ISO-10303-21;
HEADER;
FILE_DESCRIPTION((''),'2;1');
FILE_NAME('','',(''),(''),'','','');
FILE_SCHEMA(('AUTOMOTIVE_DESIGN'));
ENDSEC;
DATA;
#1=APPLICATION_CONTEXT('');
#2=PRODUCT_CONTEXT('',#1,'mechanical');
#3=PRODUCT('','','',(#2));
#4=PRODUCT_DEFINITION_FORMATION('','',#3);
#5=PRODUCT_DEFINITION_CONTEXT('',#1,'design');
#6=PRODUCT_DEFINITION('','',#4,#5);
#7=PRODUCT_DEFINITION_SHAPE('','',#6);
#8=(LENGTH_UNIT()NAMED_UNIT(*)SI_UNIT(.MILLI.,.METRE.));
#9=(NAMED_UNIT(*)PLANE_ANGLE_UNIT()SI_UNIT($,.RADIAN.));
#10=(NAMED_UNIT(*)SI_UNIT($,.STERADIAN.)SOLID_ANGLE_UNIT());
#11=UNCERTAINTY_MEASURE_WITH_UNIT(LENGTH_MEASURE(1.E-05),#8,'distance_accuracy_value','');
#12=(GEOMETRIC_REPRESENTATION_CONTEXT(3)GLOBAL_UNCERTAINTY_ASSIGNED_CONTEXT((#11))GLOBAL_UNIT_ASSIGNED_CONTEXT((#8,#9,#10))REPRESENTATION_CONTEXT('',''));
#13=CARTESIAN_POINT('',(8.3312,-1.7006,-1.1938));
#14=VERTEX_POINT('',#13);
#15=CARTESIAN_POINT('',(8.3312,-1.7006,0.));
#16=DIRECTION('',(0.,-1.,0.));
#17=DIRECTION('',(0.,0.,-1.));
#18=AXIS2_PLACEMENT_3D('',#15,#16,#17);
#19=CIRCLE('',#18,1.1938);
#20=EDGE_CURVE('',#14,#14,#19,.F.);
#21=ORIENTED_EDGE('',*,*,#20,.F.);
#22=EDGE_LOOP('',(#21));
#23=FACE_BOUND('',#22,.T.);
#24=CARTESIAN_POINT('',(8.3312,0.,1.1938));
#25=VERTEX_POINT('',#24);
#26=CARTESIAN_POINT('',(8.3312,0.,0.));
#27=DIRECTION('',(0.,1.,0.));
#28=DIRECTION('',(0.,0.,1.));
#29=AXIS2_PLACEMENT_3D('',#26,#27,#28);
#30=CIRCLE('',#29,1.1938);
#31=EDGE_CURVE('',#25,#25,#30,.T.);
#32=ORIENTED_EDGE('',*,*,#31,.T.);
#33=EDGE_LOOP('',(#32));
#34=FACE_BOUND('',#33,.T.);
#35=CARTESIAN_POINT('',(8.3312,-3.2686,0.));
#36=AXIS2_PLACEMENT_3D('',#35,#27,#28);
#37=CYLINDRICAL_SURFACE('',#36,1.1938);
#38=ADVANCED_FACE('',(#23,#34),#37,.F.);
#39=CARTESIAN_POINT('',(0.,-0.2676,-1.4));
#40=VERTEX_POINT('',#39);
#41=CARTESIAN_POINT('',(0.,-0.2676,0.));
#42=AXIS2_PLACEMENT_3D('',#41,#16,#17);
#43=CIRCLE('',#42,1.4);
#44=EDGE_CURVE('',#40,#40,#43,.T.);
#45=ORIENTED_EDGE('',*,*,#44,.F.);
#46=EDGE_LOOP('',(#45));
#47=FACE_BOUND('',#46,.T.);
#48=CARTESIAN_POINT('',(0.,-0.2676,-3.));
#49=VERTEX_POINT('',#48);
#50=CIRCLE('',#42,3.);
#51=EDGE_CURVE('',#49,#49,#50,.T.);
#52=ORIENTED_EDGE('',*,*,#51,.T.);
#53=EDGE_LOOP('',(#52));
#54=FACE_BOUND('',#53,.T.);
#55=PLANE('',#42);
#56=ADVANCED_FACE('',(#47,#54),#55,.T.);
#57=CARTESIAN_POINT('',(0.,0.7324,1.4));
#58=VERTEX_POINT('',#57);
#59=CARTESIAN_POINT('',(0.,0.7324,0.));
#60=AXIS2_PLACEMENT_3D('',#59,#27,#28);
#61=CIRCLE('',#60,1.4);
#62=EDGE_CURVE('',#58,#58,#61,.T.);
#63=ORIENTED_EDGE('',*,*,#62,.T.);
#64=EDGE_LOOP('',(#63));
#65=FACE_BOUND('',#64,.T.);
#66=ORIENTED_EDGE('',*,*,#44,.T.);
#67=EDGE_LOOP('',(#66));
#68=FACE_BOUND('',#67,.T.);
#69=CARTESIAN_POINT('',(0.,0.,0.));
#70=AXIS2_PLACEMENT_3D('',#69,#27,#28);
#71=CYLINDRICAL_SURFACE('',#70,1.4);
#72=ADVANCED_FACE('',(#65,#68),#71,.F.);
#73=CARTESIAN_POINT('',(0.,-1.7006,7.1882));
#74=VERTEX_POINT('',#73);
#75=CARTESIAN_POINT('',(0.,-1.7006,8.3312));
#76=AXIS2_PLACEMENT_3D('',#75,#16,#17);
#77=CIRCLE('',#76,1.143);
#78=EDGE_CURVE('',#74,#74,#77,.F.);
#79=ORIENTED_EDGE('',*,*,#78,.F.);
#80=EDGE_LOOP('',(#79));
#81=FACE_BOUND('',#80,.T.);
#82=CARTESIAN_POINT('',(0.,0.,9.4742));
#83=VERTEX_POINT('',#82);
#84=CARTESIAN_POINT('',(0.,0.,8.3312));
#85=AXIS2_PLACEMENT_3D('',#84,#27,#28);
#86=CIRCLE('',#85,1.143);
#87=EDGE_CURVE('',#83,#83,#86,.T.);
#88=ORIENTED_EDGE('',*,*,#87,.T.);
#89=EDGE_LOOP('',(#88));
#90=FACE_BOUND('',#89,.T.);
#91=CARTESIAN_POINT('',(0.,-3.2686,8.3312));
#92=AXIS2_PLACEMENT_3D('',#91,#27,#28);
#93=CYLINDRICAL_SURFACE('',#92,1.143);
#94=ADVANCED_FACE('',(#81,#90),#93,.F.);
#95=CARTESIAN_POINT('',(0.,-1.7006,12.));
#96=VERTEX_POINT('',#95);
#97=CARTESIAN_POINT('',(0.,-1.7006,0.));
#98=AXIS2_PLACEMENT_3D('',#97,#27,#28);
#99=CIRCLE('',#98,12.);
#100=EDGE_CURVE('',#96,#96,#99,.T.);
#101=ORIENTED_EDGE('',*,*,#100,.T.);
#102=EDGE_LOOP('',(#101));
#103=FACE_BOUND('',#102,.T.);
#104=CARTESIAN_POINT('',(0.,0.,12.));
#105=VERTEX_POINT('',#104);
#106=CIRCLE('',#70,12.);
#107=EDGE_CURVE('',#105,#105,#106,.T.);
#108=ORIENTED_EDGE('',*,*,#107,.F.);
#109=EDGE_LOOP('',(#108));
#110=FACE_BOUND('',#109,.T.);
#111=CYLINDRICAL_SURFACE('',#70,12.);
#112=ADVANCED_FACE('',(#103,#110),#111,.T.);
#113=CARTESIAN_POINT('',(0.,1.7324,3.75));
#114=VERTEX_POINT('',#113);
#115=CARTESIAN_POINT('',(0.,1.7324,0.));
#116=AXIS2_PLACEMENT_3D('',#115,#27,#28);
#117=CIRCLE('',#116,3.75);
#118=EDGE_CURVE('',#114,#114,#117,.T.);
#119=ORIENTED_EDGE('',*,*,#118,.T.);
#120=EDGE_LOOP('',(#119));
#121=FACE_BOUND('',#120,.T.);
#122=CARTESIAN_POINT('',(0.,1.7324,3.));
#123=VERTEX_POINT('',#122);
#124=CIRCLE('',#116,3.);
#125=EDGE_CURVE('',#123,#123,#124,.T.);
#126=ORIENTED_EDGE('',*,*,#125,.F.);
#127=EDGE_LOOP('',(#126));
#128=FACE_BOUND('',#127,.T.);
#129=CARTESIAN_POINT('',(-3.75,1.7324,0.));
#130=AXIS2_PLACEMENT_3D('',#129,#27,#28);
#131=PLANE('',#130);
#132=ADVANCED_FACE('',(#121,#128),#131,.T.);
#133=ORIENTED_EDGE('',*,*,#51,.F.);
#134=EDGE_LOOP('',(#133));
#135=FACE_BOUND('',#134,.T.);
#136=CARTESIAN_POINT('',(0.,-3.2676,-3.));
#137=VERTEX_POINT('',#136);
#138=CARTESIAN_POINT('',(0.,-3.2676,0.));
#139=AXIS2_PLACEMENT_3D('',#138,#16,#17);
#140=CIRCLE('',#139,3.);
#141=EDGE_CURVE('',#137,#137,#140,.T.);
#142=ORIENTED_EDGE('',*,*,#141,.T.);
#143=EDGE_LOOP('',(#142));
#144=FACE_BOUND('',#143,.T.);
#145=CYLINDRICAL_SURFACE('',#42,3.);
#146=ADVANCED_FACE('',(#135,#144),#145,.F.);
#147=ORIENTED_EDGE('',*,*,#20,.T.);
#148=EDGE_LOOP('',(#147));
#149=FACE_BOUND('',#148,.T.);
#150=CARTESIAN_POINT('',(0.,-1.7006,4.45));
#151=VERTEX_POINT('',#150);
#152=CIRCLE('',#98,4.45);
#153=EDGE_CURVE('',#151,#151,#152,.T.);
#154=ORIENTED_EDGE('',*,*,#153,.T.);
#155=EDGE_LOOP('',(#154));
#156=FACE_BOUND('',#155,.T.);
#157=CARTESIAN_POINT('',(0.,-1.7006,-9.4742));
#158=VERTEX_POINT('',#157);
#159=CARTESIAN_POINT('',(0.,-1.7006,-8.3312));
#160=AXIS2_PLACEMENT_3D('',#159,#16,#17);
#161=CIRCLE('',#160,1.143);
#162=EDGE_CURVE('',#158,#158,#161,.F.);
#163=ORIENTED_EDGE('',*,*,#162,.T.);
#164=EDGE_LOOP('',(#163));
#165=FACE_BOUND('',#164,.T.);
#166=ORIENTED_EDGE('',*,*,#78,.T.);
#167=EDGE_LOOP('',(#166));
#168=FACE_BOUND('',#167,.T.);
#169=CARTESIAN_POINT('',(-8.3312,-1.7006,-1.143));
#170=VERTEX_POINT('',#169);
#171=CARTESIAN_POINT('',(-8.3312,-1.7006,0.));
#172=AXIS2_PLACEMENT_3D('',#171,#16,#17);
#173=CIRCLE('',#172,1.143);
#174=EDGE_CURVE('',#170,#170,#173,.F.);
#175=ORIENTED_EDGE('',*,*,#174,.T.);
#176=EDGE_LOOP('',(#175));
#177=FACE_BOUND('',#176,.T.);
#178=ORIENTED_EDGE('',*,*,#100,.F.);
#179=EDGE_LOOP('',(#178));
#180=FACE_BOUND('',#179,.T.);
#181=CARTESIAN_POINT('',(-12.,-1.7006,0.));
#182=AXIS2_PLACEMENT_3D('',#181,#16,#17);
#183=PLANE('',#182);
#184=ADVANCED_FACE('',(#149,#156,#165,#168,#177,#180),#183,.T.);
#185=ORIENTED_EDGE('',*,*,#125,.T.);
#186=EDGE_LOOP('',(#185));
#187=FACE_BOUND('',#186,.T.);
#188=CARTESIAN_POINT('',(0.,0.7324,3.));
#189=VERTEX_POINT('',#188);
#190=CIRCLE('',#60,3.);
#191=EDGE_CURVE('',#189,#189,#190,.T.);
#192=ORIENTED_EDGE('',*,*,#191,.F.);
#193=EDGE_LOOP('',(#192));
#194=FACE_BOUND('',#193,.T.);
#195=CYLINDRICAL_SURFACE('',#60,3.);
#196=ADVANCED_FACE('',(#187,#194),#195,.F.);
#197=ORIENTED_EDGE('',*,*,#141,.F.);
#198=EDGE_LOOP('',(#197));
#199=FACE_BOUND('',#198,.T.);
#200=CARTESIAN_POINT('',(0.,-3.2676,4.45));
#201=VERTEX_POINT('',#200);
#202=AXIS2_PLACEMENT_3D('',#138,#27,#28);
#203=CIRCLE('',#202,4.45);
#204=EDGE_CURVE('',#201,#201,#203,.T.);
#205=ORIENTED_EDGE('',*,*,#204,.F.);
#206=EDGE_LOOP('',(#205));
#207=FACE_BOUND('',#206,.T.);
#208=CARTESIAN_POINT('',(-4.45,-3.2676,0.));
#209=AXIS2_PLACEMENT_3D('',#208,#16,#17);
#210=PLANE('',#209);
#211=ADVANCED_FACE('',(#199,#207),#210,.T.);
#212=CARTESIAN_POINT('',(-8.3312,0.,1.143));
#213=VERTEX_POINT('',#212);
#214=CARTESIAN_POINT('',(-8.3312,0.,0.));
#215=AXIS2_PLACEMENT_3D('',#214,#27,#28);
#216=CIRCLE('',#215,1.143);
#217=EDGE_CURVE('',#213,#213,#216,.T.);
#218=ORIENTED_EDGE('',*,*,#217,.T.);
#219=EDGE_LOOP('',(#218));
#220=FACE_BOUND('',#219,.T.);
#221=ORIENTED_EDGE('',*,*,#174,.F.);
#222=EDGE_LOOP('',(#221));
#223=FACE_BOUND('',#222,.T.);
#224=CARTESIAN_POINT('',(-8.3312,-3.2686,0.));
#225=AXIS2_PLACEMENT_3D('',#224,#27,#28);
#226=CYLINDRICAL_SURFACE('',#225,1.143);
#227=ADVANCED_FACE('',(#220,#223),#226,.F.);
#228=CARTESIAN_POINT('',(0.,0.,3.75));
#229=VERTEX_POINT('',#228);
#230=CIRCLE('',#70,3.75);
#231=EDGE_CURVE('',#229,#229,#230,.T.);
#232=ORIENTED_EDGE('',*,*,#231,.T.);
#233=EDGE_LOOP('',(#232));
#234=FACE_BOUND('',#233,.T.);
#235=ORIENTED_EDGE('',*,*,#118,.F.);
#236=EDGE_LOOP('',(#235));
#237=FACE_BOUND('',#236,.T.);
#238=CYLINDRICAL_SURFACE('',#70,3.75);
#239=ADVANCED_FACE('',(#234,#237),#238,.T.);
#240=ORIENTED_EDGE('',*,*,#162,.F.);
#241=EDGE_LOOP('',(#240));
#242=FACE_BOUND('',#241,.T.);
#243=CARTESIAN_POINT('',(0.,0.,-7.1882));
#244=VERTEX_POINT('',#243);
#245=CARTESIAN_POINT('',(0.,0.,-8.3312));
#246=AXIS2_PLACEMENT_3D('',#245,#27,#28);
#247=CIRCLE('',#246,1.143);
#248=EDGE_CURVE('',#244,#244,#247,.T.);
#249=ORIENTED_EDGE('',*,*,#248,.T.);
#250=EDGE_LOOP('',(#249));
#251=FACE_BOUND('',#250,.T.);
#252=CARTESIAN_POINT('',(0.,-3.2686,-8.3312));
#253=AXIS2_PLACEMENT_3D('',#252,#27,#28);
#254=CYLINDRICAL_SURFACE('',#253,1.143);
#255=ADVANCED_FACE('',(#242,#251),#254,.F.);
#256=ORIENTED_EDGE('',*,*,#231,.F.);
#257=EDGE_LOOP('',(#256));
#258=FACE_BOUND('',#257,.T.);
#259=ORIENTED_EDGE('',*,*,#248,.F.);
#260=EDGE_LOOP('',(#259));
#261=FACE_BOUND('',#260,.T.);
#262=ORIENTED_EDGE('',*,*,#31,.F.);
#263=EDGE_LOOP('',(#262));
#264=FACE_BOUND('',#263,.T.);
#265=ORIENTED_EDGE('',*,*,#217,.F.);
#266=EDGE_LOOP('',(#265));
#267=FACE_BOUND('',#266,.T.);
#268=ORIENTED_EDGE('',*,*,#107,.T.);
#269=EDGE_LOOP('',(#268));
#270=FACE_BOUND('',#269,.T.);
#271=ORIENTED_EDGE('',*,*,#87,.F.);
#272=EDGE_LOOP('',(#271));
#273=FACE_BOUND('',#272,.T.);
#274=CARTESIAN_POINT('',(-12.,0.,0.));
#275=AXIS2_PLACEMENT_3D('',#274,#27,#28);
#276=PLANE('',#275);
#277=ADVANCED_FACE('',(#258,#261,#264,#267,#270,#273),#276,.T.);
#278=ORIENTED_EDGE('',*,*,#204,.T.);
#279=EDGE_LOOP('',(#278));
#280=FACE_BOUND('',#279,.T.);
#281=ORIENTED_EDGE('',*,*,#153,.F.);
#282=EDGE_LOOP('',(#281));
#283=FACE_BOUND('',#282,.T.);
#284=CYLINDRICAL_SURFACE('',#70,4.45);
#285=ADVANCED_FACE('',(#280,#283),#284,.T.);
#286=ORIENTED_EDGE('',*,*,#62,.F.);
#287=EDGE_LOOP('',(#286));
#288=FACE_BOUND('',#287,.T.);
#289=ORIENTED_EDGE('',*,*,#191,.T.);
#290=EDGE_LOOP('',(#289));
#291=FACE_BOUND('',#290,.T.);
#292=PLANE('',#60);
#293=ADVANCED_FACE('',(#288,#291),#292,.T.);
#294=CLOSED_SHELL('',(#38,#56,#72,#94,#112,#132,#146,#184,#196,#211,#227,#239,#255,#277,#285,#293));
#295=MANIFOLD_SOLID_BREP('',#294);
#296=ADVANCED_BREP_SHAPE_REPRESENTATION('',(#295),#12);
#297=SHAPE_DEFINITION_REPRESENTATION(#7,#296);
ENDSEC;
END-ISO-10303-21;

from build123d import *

# Parameters (mm, degrees)
SKETCH4_R          = 3
CUT_EXTRUDE1_DEPTH = 1
CUT_EXTRUDE2_START = -3
SKETCH5_R          = 3
CUT_EXTRUDE2_DEPTH = 3
CUT_EXTRUDE3_REACH = 19.282
SKETCH6_R          = 1.143
SKETCH6_R_2        = 1.1938


with BuildPart() as part:
    # Sketch1 → Revolve1 (revolve)
    with BuildSketch(Plane.XY, mode=Mode.PRIVATE) as revolve1_sk:
        Polygon((-12, 0), (-3.75, 0), (-3.75, 1.732400048), (-1.4, 1.732400048), (-1.4, -3.267599952), (-4.45, -3.267599952), (-4.45, -1.700599952), (-12, -1.700599952), align=None)
    revolve(revolve1_sk.sketch.rotate(Axis((0, 0, 0), (0, -1, 0)), 270), axis=Axis((0, 0, 0), (0, -1, 0)))

    # Sketch4 → Cut-Extrude1 (cut)
    with BuildSketch(Plane(origin=(0, 1.732400048, 0), x_dir=(-1, 0, 0), z_dir=(0, 1, 0))):
        with Locations(Location((0, 0, 0), (0, 0, 90))):
            Circle(SKETCH4_R)
    extrude(amount=-CUT_EXTRUDE1_DEPTH, mode=Mode.SUBTRACT)

    # Sketch5 → Cut-Extrude2 (cut)
    with BuildSketch(Plane.XZ.offset(3.267599952).offset(CUT_EXTRUDE2_START)):
        with Locations(Location((0, 0, 0), (0, 0, 90))):
            Circle(SKETCH5_R)
    extrude(amount=CUT_EXTRUDE2_DEPTH, mode=Mode.SUBTRACT)

    # Sketch6 → Cut-Extrude3 (cut, up to next)
    with BuildSketch(Plane(origin=(0, 0, 0), x_dir=(1, 0, 0), z_dir=(0, 1, 0)), mode=Mode.PRIVATE) as cut_extrude3_sk1:
        with Locations(Location((0, 8.3312, 0), (0, 0, 270))):
            Circle(SKETCH6_R)
    cut_extrude3_tool1 = extrude(cut_extrude3_sk1.sketch, amount=-CUT_EXTRUDE3_REACH, mode=Mode.PRIVATE) & part.part
    # Sketch6 → Cut-Extrude3 (cut, up to next)
    with BuildSketch(Plane(origin=(0, 0, 0), x_dir=(1, 0, 0), z_dir=(0, 1, 0)), mode=Mode.PRIVATE) as cut_extrude3_sk2:
        with Locations(Location((-8.3312, 0, 0), (0, 0, 270))):
            Circle(SKETCH6_R)
    cut_extrude3_tool2 = extrude(cut_extrude3_sk2.sketch, amount=-CUT_EXTRUDE3_REACH, mode=Mode.PRIVATE) & part.part
    # Sketch6 → Cut-Extrude3 (cut, up to next)
    with BuildSketch(Plane(origin=(0, 0, 0), x_dir=(1, 0, 0), z_dir=(0, 1, 0)), mode=Mode.PRIVATE) as cut_extrude3_sk3:
        with Locations(Location((0, -8.3312, 0), (0, 0, 270))):
            Circle(SKETCH6_R)
    cut_extrude3_tool3 = extrude(cut_extrude3_sk3.sketch, amount=-CUT_EXTRUDE3_REACH, mode=Mode.PRIVATE) & part.part
    # Sketch6 → Cut-Extrude3 (cut, up to next)
    with BuildSketch(Plane(origin=(0, 0, 0), x_dir=(1, 0, 0), z_dir=(0, 1, 0)), mode=Mode.PRIVATE) as cut_extrude3_sk4:
        with Locations(Location((8.3312, 0, 0), (0, 0, 270))):
            Circle(SKETCH6_R_2)
    cut_extrude3_tool4 = extrude(cut_extrude3_sk4.sketch, amount=-CUT_EXTRUDE3_REACH, mode=Mode.PRIVATE) & part.part
    add(cut_extrude3_tool1.solids().sort_by_distance((0, 0, -8.3312))[0], mode=Mode.SUBTRACT)
    add(cut_extrude3_tool2.solids().sort_by_distance((-8.3312, 0, 0))[0], mode=Mode.SUBTRACT)
    add(cut_extrude3_tool3.solids().sort_by_distance((0, 0, 8.3312))[0], mode=Mode.SUBTRACT)
    add(cut_extrude3_tool4.solids().sort_by_distance((8.3312, 0, 0))[0], mode=Mode.SUBTRACT)


solid = part.part
